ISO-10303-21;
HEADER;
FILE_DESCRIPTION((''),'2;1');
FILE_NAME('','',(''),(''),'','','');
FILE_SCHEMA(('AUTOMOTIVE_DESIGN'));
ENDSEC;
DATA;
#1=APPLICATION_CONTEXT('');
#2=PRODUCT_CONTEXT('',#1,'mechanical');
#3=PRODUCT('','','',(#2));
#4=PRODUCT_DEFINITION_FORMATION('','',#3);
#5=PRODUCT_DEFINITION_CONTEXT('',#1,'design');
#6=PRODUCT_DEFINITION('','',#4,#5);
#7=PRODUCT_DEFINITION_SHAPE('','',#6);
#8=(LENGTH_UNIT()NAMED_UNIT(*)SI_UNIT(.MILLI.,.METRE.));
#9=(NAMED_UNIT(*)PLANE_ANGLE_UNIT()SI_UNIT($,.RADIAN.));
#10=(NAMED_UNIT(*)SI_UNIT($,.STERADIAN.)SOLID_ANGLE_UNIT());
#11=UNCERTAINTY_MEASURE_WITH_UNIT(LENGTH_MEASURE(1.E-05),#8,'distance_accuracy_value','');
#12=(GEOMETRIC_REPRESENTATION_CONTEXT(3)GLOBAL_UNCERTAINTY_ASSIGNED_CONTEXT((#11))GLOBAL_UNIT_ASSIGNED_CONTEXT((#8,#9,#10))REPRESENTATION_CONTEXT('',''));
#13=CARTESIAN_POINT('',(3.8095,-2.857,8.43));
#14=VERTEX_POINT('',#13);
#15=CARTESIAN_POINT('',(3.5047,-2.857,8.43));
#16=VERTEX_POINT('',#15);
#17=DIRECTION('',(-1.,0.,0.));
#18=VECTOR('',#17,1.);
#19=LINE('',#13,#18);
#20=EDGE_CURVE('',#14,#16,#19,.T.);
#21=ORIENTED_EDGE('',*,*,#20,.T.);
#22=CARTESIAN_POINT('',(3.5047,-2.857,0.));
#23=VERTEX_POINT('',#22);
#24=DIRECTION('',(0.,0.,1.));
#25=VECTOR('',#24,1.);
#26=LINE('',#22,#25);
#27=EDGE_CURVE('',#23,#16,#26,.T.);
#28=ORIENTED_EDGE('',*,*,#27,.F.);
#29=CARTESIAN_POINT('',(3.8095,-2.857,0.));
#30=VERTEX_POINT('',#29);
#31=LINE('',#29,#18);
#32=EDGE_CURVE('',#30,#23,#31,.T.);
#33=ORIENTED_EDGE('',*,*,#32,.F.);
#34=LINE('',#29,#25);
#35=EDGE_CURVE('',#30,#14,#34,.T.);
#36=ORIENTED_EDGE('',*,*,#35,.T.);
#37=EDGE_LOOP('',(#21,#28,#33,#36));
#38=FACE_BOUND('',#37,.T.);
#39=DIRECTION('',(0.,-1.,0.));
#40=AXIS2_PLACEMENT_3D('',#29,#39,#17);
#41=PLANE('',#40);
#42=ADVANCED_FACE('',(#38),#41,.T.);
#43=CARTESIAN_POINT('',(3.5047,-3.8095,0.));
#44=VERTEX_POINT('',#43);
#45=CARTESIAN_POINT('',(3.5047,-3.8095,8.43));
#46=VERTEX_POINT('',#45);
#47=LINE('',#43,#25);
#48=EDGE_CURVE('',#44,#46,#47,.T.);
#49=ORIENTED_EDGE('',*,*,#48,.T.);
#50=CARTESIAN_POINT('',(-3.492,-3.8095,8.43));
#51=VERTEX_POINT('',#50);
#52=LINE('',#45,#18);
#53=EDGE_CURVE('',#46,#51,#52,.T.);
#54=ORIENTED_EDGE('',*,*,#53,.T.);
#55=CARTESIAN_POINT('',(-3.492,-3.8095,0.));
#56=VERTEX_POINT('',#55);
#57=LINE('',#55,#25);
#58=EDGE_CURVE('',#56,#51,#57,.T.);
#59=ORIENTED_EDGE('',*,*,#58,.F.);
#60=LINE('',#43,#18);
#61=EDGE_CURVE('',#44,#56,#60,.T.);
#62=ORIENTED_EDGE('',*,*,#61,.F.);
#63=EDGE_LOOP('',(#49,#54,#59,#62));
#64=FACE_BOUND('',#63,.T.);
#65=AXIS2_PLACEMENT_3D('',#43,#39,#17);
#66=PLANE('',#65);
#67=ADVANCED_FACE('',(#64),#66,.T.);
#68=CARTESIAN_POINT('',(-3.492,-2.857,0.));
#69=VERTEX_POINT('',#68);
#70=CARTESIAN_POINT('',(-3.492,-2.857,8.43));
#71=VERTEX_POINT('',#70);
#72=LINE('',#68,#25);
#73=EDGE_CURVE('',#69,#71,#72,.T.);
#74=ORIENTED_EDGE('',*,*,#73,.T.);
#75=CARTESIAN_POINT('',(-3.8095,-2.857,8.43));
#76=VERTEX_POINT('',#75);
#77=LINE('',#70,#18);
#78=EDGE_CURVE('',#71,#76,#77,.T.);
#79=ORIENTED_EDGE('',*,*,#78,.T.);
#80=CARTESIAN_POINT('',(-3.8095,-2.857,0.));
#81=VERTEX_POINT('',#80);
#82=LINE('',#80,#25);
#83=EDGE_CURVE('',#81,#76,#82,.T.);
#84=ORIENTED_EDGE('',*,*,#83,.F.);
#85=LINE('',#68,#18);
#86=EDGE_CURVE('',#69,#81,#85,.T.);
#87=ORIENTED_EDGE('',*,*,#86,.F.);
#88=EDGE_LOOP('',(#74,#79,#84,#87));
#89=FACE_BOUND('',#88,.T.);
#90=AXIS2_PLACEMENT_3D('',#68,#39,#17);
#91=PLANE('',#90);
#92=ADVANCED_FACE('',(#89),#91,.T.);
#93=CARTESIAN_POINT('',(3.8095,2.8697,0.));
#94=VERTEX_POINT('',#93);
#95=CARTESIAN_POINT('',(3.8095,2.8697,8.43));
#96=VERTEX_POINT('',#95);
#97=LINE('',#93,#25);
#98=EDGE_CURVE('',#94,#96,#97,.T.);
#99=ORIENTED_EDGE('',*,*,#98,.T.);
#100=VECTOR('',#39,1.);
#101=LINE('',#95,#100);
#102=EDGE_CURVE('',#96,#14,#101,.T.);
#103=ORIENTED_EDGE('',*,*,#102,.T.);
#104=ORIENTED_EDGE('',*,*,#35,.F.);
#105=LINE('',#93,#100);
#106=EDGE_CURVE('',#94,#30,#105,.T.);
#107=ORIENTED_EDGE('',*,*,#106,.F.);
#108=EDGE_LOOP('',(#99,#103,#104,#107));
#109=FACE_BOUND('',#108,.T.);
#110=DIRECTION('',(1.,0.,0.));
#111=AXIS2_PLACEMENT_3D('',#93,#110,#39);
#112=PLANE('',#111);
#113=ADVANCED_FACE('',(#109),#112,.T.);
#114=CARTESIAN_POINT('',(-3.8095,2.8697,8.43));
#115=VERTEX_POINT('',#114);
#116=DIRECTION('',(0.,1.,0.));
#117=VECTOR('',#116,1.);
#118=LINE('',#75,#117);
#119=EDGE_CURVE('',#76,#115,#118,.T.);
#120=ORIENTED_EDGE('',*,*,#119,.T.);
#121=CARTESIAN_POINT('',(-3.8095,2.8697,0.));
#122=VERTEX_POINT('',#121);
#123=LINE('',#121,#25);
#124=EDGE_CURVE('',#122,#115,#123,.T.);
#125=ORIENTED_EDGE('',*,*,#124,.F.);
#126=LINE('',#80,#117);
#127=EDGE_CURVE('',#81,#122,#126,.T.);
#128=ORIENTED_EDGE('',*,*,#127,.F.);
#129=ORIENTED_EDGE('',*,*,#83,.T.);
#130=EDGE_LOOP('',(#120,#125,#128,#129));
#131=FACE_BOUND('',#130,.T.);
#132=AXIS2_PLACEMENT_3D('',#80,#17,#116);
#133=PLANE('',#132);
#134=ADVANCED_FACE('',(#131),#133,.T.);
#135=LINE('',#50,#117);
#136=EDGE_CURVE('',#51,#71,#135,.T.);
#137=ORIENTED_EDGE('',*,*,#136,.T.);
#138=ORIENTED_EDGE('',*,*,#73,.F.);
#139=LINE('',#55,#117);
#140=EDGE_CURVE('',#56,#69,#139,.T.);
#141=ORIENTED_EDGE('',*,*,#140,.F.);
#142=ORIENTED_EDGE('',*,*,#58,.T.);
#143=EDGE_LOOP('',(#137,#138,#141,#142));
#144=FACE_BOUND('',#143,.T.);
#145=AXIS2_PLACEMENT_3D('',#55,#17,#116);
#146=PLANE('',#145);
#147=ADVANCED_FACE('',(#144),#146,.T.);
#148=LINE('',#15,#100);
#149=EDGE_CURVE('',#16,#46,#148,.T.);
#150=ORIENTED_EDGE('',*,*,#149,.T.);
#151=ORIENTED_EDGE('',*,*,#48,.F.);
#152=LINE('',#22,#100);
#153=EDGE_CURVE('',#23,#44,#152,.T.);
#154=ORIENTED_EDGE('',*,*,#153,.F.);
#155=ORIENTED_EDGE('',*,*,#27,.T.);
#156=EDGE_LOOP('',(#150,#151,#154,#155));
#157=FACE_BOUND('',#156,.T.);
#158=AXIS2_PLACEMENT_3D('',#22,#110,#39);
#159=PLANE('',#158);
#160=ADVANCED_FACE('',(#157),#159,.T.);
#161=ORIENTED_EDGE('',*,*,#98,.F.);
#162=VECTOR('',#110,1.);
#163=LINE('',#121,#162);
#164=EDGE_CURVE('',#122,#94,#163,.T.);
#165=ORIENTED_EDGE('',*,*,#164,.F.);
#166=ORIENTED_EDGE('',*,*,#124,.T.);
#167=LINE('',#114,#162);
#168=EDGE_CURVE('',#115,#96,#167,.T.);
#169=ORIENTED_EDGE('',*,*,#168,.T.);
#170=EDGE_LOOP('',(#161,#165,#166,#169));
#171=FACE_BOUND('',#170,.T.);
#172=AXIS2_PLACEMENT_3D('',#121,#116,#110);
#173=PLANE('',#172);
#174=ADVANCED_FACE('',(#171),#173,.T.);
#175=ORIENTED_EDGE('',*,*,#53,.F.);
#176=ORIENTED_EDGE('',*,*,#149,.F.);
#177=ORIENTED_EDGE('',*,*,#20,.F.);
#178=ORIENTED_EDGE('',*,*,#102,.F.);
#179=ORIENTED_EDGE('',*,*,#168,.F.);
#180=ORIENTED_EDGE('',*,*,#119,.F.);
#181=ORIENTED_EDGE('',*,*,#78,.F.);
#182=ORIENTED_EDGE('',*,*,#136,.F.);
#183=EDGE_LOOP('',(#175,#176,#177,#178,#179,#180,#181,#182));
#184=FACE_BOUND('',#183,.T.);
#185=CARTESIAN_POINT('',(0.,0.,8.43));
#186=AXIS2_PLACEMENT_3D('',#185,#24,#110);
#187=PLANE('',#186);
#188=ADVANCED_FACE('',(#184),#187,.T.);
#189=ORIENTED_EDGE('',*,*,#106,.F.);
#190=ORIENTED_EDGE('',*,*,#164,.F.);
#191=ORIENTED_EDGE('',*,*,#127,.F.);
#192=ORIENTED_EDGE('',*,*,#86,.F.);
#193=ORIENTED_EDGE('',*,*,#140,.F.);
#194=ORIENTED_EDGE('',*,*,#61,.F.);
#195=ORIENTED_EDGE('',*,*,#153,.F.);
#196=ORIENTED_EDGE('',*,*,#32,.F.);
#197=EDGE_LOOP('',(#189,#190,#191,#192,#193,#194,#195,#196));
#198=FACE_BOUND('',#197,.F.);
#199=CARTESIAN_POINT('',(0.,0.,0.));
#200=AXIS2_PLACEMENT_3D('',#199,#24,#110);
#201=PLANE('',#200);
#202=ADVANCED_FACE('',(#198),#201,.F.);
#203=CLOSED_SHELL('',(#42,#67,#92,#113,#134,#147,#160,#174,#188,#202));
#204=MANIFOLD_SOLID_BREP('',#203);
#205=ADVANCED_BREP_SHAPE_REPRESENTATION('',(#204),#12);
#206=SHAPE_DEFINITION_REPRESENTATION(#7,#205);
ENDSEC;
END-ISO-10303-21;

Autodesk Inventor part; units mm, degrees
ref_plane "YZ Plane" through (0, 0, 0) normal (1, 0, 0) x (0, 1, 0)
ref_plane "XZ Plane" through (0, 0, 0) normal (0, 1, 0) x (-1, 0, 0)
ref_plane "XY Plane" through (0, 0, 0) normal (0, 0, 1) x (1, 0, 0)
sketch "70543-02, C-GRID-02-70543_91" plane through (0, 0, 0) normal (0, 0, 1) x (1, 0, 0)
  line L0 (3.8095, 2.8697) -> (3.8095, -2.857)
  line L1 (3.8095, -2.857) -> (3.5047, -2.857)
  line L2 (3.5047, -2.857) -> (3.5047, -3.8095)
  line L3 (3.5047, -3.8095) -> (-3.492, -3.8095)
  line L4 (-3.492, -3.8095) -> (-3.492, -2.857)
  line L5 (-3.492, -2.857) -> (-3.8095, -2.857)
  line L6 (-3.8095, -2.857) -> (-3.8095, 2.8697)
  line L7 (-3.8095, 2.8697) -> (3.8095, 2.8697)
extrude "Extrusion1" add sketch "70543-02, C-GRID-02-70543_91" along normal blind 8.43
properties part number "C-GRID-02-70543"
